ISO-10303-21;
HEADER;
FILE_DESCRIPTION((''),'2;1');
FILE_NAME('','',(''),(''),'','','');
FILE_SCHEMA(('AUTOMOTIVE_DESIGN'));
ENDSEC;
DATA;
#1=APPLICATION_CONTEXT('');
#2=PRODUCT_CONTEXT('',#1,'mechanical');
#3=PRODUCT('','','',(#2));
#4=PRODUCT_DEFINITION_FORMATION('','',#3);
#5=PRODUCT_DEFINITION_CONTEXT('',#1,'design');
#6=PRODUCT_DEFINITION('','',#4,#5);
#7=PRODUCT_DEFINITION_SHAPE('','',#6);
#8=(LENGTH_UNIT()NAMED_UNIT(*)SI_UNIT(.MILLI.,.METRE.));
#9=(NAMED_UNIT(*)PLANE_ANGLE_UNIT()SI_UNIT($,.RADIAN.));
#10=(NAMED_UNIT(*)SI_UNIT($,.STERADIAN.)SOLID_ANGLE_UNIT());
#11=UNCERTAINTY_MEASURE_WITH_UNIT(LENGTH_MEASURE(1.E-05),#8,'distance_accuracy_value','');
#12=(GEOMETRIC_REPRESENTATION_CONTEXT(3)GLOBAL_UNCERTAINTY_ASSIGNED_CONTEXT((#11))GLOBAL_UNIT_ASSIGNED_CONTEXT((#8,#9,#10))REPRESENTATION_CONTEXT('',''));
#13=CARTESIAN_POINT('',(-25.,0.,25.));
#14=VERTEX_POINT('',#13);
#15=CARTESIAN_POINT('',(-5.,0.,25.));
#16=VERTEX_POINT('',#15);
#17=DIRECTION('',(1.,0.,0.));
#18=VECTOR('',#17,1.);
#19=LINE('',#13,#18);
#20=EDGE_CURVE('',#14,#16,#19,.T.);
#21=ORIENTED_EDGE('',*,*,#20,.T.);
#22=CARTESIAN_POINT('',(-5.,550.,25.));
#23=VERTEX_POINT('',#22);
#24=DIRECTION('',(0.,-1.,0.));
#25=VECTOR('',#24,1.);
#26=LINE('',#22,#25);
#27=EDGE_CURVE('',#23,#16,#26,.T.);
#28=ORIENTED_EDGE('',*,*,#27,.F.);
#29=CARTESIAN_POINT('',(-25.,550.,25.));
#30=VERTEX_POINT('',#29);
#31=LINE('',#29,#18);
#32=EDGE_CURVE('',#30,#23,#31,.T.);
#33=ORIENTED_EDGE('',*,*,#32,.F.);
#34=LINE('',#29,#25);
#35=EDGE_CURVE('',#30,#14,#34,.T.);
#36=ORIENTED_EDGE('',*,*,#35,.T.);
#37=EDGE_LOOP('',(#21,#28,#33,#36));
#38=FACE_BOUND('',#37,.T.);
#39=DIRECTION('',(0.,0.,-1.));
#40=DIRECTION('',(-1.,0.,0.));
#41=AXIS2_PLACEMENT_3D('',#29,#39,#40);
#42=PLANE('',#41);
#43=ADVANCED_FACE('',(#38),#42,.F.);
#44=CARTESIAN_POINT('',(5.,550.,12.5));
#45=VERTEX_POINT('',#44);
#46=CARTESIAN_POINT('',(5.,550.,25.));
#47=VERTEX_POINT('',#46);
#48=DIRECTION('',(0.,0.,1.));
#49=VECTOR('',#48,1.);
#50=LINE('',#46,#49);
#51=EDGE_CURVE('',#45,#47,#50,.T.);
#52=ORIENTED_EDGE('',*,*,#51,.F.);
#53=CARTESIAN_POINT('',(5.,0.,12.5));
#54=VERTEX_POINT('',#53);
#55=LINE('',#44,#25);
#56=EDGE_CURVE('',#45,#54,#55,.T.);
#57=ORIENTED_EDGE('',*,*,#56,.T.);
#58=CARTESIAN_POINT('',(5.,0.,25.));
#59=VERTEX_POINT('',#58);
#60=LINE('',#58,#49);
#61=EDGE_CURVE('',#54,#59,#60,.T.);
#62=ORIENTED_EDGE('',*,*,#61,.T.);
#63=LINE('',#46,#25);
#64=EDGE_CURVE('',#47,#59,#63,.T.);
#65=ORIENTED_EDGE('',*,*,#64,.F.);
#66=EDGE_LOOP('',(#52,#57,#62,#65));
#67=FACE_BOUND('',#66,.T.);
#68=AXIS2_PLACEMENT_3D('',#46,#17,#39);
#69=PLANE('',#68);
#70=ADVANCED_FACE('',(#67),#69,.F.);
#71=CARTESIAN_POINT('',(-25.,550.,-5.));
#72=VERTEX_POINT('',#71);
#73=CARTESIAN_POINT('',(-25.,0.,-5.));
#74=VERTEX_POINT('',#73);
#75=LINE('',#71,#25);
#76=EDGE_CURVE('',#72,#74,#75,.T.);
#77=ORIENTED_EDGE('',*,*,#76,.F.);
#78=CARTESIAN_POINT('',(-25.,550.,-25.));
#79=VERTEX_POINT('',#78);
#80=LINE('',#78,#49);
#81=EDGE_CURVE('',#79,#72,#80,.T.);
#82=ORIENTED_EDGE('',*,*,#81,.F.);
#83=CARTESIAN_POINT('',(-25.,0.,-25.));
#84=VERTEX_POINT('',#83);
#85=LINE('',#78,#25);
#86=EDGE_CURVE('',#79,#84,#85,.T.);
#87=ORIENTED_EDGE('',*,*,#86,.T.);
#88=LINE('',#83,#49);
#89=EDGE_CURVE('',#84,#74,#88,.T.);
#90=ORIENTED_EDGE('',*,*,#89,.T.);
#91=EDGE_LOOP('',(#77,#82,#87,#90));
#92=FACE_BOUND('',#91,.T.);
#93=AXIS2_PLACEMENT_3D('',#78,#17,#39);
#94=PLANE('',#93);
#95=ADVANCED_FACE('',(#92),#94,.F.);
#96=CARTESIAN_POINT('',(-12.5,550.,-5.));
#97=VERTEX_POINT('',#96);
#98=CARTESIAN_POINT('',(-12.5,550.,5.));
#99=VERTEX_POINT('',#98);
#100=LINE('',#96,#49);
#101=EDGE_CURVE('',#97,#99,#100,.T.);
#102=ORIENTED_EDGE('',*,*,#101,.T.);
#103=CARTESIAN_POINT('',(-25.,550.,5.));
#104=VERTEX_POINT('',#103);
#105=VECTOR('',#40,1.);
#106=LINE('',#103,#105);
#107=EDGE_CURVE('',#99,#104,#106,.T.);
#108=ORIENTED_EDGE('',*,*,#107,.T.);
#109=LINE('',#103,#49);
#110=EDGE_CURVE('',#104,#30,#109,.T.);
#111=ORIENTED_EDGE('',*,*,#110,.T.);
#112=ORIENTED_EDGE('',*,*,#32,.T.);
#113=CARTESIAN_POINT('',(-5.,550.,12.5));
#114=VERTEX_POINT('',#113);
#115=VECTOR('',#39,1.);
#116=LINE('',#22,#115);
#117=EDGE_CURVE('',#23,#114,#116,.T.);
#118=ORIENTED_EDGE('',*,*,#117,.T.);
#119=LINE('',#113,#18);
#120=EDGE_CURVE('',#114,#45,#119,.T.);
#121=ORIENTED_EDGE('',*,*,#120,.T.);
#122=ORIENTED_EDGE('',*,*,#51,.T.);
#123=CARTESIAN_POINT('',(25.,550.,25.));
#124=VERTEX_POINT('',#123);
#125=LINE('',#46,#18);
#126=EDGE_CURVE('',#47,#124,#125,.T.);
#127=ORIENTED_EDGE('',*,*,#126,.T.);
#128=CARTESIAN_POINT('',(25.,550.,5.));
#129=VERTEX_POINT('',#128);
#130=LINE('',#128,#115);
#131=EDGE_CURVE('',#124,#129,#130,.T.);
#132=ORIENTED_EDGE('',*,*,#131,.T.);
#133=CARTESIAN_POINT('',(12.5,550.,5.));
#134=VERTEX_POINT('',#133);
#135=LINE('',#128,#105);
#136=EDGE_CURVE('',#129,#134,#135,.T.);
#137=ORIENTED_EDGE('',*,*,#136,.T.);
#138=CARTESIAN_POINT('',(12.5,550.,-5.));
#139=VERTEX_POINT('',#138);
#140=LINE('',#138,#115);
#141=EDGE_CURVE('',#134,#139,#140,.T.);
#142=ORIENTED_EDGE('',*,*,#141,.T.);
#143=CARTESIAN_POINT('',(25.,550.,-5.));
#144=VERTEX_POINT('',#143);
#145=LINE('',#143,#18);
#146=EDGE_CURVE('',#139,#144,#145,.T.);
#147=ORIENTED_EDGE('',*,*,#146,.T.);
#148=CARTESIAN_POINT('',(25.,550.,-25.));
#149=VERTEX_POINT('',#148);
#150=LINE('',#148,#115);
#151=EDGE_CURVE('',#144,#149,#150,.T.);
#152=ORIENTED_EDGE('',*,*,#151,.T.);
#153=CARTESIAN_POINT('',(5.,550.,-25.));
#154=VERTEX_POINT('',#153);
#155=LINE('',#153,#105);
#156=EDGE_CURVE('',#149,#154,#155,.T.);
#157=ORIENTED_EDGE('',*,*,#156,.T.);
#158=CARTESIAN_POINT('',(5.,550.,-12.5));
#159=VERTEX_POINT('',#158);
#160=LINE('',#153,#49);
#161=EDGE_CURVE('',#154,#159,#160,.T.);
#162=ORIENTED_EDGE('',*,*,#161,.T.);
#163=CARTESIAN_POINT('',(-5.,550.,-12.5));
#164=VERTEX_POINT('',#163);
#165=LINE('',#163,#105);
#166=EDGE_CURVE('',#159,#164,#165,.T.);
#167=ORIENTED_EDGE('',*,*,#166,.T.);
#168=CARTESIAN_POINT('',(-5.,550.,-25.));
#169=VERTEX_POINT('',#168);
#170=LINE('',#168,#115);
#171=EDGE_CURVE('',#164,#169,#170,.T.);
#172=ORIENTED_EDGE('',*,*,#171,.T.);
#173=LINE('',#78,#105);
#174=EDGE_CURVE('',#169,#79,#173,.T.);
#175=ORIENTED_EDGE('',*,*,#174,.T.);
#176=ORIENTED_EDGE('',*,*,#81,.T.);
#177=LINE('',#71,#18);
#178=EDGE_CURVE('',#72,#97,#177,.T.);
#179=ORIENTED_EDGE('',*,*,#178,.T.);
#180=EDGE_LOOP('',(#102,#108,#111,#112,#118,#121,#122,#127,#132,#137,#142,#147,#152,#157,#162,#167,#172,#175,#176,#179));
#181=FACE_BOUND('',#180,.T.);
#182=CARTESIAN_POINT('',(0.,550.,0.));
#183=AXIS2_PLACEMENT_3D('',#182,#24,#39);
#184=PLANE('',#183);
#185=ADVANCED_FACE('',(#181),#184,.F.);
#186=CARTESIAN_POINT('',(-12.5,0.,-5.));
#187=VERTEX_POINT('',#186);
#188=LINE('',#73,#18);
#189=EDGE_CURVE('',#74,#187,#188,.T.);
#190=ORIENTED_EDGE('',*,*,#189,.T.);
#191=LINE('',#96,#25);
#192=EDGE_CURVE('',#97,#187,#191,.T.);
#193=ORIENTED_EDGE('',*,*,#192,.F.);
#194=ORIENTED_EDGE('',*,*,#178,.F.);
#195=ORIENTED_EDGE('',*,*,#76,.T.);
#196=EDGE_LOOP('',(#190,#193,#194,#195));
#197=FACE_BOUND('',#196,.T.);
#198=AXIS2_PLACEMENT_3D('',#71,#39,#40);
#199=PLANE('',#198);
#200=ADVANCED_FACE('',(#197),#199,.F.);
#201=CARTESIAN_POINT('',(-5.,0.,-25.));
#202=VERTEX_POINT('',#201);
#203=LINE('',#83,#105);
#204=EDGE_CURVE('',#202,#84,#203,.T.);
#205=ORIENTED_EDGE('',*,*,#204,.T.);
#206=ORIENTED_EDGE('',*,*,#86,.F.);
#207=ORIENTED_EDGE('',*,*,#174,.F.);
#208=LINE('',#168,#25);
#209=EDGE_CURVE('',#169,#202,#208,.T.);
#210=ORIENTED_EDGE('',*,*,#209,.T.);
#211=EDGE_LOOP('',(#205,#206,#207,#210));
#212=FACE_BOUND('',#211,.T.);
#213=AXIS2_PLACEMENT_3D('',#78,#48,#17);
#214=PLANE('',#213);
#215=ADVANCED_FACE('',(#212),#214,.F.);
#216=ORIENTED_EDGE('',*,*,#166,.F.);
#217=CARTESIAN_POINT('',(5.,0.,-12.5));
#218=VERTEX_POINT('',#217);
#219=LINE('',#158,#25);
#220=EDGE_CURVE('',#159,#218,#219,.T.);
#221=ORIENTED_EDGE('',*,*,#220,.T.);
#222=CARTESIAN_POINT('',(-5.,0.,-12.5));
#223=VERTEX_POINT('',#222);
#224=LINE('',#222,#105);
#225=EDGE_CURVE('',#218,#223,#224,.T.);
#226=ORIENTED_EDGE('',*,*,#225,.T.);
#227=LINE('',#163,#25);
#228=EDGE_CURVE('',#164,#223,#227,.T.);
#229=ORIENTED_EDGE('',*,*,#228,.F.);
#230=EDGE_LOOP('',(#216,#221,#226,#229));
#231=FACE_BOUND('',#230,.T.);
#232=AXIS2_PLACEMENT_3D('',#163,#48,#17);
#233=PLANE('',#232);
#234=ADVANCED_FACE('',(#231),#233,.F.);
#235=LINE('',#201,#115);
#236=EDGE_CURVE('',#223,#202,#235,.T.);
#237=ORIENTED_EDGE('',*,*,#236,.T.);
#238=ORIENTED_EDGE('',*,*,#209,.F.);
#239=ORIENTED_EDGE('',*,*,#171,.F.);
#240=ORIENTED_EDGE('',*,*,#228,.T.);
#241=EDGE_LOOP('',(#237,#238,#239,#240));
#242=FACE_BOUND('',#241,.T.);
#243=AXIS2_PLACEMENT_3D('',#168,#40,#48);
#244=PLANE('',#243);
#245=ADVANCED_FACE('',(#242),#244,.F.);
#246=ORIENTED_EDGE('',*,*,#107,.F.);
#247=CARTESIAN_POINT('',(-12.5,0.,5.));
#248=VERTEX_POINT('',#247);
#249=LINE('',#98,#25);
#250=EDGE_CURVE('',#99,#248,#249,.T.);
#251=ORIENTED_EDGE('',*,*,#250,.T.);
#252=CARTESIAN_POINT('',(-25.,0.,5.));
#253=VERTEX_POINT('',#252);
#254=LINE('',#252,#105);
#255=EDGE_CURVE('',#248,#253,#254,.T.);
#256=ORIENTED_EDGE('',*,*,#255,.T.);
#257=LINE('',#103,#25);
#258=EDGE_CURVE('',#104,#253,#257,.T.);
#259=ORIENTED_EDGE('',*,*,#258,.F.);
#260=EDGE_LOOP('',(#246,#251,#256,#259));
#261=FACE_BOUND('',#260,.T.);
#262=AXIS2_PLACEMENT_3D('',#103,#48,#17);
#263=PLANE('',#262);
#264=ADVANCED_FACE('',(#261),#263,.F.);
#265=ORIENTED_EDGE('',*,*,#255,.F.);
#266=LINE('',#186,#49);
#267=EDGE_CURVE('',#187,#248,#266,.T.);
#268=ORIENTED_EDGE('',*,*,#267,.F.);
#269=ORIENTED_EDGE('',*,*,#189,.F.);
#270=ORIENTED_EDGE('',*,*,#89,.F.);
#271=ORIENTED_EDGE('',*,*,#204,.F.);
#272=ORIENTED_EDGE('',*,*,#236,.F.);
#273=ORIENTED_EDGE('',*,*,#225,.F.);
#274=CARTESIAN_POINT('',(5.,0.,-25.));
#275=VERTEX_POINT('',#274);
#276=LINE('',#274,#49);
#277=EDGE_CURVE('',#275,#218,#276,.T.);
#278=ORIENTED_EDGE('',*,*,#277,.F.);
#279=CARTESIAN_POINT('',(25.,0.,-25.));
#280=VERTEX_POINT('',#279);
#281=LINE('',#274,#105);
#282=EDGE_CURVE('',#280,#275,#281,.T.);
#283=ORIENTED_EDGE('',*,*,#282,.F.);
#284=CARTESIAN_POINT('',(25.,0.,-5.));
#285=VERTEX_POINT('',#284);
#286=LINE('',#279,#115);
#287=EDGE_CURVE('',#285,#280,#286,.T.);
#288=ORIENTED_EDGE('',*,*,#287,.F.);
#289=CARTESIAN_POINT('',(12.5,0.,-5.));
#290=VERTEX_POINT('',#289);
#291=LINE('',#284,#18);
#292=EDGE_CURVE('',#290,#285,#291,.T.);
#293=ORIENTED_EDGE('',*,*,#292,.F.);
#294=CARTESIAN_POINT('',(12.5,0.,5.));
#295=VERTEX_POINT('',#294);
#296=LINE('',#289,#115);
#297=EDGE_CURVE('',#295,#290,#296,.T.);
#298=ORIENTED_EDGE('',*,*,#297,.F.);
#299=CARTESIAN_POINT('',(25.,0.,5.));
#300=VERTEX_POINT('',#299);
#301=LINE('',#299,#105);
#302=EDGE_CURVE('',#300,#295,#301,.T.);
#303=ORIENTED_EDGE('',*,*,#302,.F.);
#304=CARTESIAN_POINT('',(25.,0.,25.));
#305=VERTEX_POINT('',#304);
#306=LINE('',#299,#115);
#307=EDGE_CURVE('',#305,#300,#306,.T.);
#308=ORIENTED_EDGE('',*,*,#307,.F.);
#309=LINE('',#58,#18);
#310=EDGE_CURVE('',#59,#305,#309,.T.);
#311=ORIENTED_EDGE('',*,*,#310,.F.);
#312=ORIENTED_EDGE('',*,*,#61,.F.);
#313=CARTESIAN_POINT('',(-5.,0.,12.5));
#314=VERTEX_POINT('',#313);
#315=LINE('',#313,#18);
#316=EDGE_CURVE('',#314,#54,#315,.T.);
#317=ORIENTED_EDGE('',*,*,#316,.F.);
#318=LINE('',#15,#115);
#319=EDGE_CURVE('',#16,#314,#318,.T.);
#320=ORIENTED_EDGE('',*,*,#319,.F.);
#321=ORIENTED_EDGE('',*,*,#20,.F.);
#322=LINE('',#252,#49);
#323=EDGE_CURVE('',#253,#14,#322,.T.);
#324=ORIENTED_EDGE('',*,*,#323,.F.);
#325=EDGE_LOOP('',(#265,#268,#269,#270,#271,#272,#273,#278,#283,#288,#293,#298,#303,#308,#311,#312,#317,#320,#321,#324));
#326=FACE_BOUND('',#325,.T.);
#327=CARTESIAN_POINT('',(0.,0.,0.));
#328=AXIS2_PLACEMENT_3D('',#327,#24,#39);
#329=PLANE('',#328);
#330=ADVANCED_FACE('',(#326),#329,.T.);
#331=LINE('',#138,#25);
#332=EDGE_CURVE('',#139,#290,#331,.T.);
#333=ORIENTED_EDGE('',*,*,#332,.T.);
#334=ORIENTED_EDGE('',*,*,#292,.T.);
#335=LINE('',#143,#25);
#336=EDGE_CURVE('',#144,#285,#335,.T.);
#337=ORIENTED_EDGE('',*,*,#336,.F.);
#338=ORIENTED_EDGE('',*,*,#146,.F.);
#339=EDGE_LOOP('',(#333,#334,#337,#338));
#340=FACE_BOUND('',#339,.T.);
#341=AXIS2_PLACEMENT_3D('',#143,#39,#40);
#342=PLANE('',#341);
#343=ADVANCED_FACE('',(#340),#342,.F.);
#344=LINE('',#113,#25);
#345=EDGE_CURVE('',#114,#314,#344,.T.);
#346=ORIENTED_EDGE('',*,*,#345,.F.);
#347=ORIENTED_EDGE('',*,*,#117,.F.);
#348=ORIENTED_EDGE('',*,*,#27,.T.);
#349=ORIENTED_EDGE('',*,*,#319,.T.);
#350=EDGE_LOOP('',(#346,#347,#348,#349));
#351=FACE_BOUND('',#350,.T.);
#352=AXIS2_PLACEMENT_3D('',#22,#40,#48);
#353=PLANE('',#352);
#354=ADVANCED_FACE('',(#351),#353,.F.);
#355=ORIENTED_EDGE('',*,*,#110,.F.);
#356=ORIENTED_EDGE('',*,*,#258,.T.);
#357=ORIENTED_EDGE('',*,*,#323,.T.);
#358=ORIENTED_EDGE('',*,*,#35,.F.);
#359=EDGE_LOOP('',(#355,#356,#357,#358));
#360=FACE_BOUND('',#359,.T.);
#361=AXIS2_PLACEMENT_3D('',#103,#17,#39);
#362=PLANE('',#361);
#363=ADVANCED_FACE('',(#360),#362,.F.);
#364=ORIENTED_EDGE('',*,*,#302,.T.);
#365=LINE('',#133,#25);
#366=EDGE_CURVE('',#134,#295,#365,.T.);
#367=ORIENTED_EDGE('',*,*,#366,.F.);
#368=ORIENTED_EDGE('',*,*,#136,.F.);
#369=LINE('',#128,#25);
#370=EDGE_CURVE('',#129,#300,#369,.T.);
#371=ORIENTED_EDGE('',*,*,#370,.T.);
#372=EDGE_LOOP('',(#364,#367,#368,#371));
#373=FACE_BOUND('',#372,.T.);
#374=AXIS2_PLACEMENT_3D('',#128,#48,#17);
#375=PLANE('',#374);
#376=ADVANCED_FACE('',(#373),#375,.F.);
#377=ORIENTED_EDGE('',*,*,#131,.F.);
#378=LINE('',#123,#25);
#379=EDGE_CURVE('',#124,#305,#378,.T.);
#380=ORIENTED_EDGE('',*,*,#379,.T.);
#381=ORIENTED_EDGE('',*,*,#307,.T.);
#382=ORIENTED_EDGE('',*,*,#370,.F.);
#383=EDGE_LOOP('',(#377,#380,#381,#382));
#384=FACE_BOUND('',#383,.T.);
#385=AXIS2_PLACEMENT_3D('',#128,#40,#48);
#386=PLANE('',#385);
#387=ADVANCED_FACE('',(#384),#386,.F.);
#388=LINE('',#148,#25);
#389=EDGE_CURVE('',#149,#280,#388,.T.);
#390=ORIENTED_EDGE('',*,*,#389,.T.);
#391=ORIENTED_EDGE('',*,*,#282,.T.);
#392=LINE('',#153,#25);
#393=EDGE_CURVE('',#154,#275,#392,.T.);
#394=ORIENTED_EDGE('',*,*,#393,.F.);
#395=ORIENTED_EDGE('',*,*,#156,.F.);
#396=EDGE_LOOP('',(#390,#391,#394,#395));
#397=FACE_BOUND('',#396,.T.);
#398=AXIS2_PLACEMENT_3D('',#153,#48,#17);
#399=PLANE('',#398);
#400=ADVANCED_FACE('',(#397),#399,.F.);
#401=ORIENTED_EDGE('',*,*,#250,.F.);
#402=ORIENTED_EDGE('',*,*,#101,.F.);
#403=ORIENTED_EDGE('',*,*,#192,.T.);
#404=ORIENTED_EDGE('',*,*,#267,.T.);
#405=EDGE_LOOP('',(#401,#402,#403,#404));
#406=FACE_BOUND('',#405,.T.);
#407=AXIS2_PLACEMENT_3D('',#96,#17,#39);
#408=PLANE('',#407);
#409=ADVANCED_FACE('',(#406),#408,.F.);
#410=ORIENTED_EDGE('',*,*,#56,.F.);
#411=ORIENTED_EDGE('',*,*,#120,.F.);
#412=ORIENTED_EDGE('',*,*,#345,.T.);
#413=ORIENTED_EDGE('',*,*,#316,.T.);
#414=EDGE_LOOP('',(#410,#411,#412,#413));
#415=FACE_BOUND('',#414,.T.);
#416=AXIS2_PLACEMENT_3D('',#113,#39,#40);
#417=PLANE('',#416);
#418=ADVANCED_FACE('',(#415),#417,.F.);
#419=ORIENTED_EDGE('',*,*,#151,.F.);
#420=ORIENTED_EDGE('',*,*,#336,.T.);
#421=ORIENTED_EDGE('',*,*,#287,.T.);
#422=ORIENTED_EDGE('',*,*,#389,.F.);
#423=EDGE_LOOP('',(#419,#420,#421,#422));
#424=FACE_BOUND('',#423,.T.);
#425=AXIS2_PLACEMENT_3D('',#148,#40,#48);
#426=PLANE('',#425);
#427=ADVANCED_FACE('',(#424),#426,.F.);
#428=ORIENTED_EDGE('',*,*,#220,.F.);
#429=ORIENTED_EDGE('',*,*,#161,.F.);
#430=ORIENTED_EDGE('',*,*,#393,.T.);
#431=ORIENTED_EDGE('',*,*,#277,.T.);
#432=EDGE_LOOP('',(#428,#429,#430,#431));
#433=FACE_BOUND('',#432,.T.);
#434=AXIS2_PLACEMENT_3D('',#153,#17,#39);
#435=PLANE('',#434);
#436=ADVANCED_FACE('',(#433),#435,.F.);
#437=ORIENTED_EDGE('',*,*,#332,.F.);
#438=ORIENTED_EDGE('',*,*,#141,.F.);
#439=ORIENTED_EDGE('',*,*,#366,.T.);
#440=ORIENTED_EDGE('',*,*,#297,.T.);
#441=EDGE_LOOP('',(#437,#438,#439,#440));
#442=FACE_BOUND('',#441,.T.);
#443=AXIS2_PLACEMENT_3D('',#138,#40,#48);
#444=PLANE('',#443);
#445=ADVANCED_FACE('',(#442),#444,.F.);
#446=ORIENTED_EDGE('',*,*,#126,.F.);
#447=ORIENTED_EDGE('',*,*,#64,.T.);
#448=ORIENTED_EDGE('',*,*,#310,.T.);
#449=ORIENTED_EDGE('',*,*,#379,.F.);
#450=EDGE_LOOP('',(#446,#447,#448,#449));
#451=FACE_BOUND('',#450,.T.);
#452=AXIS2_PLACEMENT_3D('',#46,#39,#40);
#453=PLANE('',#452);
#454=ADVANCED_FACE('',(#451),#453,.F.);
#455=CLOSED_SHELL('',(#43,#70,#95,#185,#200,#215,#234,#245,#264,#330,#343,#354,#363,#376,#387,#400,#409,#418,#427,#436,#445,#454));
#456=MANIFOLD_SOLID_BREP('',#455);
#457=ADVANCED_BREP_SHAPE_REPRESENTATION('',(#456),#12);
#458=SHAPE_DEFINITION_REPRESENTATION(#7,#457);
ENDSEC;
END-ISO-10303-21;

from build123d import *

# Parameters (mm, degrees)
BOSS_EXTRUDE1_DEPTH = 550
BOSS_EXTRUDE2_DEPTH = 10


with BuildPart() as part:
    # Sketch1 → Boss-Extrude1 (new body)
    with BuildSketch(Plane(origin=(0, 0, 0), x_dir=(1, 0, 0), z_dir=(0, 1, 0))):
        Polygon((-25, 25), (-5, 25), (-5, 12.5), (5, 12.5), (5, 25), (25, 25), (25, 5), (12.5, 5), (12.5, -5), (25, -5), (25, -25), (5, -25), (5, -12.5), (-5, -12.5), (-5, -25), (-25, -25), (-25, -5), (-12.5, -5), (-12.5, 5), (-25, 5), align=None)
    extrude(amount=BOSS_EXTRUDE1_DEPTH)

    # Sketch1<2> → Boss-Extrude2 (add)
    with BuildSketch(Plane(origin=(0, 0, 0), x_dir=(1, 0, 0), z_dir=(0, 1, 0))):
        Polygon((-25, 25), (-5, 25), (-5, 12.5), (5, 12.5), (5, 25), (25, 25), (25, 5), (12.5, 5), (12.5, -5), (25, -5), (25, -25), (5, -25), (5, -12.5), (-5, -12.5), (-5, -25), (-25, -25), (-25, -5), (-12.5, -5), (-12.5, 5), (-25, 5), align=None)
    extrude(amount=BOSS_EXTRUDE2_DEPTH)


solid = part.part
